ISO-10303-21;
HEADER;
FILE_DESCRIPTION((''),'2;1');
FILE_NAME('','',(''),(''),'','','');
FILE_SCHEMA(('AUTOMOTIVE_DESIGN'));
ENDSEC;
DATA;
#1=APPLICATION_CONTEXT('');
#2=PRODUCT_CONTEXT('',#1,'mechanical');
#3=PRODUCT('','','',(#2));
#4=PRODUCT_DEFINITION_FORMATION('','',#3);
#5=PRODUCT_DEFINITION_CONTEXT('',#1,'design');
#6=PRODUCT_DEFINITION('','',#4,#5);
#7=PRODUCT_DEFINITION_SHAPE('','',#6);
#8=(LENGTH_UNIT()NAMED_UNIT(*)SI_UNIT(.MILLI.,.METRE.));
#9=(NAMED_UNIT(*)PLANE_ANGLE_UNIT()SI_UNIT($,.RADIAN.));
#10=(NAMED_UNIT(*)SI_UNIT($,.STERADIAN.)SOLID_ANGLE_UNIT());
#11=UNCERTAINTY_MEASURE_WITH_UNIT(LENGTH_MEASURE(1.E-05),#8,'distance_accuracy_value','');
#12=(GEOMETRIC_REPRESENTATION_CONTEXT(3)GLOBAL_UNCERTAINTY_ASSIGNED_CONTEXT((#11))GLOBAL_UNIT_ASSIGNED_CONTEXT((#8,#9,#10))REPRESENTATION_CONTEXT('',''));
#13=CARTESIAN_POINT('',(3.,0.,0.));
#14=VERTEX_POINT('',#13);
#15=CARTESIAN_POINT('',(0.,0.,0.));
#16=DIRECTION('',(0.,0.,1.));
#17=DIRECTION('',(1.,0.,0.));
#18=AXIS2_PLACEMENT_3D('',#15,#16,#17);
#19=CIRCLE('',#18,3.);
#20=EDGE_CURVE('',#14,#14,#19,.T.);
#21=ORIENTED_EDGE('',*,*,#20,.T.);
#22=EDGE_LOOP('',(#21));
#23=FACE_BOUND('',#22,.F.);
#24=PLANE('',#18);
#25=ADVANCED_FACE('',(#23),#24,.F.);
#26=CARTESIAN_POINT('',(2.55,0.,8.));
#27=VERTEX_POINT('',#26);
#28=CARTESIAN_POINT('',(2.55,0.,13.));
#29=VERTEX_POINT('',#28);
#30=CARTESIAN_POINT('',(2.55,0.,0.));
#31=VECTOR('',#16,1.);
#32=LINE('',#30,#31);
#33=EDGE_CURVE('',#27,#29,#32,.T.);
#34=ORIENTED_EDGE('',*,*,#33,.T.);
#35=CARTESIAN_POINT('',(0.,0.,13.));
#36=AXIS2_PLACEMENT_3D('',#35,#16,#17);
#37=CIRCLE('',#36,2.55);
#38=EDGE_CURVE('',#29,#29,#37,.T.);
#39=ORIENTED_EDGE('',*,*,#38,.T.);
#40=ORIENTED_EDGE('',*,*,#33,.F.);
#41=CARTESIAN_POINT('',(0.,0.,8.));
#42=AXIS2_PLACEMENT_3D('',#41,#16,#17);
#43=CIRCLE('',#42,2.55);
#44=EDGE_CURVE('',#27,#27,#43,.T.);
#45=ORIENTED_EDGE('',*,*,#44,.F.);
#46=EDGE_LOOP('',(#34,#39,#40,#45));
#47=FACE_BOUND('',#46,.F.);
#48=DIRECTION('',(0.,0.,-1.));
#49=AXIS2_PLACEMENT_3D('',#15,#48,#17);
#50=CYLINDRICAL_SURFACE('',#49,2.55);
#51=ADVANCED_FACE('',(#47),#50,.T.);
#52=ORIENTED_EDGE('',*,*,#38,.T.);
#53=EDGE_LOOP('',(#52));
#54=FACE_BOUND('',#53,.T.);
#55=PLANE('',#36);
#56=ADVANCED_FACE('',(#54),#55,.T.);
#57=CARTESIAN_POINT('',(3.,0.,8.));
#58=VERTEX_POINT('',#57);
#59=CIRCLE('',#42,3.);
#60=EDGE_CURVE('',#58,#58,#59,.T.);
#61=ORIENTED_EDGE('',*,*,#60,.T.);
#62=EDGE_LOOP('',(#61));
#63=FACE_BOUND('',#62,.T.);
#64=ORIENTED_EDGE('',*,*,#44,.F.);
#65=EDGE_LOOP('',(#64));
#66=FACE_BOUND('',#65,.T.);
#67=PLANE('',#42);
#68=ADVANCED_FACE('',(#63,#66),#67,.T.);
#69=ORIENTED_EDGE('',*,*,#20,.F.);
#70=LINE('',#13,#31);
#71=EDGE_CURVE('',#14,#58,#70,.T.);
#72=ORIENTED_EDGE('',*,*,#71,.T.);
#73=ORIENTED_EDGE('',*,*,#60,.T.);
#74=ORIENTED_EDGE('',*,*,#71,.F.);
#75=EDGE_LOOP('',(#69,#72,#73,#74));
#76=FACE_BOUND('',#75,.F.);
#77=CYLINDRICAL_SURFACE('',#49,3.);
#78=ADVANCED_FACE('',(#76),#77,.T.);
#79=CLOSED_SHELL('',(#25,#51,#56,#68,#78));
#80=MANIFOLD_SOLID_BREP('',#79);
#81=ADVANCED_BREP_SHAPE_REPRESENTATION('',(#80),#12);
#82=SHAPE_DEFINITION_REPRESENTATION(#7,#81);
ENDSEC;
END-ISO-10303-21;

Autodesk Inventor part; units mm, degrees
ref_plane "YZ Plane" through (0, 0, 0) normal (1, 0, 0) x (0, 1, 0)
ref_plane "XZ Plane" through (0, 0, 0) normal (0, 1, 0) x (-1, 0, 0)
ref_plane "XY Plane" through (0, 0, 0) normal (0, 0, 1) x (1, 0, 0)
sketch "スケッチ1" plane through (0, 0, 0) normal (0, 0, 1) x (1, 0, 0)
  circle A0 centre (0, 0) radius 3
  circle A1 centre (0, 0) radius 2.55
  dimension "d0" = 6
  dimension "d1" = 5.1
extrude "押し出し1" add sketch "スケッチ1" along normal blind 13 contours A1
extrude "押し出し2" add sketch "スケッチ1" along normal blind 8
properties part number "ピニオン　m0.5　10t"
